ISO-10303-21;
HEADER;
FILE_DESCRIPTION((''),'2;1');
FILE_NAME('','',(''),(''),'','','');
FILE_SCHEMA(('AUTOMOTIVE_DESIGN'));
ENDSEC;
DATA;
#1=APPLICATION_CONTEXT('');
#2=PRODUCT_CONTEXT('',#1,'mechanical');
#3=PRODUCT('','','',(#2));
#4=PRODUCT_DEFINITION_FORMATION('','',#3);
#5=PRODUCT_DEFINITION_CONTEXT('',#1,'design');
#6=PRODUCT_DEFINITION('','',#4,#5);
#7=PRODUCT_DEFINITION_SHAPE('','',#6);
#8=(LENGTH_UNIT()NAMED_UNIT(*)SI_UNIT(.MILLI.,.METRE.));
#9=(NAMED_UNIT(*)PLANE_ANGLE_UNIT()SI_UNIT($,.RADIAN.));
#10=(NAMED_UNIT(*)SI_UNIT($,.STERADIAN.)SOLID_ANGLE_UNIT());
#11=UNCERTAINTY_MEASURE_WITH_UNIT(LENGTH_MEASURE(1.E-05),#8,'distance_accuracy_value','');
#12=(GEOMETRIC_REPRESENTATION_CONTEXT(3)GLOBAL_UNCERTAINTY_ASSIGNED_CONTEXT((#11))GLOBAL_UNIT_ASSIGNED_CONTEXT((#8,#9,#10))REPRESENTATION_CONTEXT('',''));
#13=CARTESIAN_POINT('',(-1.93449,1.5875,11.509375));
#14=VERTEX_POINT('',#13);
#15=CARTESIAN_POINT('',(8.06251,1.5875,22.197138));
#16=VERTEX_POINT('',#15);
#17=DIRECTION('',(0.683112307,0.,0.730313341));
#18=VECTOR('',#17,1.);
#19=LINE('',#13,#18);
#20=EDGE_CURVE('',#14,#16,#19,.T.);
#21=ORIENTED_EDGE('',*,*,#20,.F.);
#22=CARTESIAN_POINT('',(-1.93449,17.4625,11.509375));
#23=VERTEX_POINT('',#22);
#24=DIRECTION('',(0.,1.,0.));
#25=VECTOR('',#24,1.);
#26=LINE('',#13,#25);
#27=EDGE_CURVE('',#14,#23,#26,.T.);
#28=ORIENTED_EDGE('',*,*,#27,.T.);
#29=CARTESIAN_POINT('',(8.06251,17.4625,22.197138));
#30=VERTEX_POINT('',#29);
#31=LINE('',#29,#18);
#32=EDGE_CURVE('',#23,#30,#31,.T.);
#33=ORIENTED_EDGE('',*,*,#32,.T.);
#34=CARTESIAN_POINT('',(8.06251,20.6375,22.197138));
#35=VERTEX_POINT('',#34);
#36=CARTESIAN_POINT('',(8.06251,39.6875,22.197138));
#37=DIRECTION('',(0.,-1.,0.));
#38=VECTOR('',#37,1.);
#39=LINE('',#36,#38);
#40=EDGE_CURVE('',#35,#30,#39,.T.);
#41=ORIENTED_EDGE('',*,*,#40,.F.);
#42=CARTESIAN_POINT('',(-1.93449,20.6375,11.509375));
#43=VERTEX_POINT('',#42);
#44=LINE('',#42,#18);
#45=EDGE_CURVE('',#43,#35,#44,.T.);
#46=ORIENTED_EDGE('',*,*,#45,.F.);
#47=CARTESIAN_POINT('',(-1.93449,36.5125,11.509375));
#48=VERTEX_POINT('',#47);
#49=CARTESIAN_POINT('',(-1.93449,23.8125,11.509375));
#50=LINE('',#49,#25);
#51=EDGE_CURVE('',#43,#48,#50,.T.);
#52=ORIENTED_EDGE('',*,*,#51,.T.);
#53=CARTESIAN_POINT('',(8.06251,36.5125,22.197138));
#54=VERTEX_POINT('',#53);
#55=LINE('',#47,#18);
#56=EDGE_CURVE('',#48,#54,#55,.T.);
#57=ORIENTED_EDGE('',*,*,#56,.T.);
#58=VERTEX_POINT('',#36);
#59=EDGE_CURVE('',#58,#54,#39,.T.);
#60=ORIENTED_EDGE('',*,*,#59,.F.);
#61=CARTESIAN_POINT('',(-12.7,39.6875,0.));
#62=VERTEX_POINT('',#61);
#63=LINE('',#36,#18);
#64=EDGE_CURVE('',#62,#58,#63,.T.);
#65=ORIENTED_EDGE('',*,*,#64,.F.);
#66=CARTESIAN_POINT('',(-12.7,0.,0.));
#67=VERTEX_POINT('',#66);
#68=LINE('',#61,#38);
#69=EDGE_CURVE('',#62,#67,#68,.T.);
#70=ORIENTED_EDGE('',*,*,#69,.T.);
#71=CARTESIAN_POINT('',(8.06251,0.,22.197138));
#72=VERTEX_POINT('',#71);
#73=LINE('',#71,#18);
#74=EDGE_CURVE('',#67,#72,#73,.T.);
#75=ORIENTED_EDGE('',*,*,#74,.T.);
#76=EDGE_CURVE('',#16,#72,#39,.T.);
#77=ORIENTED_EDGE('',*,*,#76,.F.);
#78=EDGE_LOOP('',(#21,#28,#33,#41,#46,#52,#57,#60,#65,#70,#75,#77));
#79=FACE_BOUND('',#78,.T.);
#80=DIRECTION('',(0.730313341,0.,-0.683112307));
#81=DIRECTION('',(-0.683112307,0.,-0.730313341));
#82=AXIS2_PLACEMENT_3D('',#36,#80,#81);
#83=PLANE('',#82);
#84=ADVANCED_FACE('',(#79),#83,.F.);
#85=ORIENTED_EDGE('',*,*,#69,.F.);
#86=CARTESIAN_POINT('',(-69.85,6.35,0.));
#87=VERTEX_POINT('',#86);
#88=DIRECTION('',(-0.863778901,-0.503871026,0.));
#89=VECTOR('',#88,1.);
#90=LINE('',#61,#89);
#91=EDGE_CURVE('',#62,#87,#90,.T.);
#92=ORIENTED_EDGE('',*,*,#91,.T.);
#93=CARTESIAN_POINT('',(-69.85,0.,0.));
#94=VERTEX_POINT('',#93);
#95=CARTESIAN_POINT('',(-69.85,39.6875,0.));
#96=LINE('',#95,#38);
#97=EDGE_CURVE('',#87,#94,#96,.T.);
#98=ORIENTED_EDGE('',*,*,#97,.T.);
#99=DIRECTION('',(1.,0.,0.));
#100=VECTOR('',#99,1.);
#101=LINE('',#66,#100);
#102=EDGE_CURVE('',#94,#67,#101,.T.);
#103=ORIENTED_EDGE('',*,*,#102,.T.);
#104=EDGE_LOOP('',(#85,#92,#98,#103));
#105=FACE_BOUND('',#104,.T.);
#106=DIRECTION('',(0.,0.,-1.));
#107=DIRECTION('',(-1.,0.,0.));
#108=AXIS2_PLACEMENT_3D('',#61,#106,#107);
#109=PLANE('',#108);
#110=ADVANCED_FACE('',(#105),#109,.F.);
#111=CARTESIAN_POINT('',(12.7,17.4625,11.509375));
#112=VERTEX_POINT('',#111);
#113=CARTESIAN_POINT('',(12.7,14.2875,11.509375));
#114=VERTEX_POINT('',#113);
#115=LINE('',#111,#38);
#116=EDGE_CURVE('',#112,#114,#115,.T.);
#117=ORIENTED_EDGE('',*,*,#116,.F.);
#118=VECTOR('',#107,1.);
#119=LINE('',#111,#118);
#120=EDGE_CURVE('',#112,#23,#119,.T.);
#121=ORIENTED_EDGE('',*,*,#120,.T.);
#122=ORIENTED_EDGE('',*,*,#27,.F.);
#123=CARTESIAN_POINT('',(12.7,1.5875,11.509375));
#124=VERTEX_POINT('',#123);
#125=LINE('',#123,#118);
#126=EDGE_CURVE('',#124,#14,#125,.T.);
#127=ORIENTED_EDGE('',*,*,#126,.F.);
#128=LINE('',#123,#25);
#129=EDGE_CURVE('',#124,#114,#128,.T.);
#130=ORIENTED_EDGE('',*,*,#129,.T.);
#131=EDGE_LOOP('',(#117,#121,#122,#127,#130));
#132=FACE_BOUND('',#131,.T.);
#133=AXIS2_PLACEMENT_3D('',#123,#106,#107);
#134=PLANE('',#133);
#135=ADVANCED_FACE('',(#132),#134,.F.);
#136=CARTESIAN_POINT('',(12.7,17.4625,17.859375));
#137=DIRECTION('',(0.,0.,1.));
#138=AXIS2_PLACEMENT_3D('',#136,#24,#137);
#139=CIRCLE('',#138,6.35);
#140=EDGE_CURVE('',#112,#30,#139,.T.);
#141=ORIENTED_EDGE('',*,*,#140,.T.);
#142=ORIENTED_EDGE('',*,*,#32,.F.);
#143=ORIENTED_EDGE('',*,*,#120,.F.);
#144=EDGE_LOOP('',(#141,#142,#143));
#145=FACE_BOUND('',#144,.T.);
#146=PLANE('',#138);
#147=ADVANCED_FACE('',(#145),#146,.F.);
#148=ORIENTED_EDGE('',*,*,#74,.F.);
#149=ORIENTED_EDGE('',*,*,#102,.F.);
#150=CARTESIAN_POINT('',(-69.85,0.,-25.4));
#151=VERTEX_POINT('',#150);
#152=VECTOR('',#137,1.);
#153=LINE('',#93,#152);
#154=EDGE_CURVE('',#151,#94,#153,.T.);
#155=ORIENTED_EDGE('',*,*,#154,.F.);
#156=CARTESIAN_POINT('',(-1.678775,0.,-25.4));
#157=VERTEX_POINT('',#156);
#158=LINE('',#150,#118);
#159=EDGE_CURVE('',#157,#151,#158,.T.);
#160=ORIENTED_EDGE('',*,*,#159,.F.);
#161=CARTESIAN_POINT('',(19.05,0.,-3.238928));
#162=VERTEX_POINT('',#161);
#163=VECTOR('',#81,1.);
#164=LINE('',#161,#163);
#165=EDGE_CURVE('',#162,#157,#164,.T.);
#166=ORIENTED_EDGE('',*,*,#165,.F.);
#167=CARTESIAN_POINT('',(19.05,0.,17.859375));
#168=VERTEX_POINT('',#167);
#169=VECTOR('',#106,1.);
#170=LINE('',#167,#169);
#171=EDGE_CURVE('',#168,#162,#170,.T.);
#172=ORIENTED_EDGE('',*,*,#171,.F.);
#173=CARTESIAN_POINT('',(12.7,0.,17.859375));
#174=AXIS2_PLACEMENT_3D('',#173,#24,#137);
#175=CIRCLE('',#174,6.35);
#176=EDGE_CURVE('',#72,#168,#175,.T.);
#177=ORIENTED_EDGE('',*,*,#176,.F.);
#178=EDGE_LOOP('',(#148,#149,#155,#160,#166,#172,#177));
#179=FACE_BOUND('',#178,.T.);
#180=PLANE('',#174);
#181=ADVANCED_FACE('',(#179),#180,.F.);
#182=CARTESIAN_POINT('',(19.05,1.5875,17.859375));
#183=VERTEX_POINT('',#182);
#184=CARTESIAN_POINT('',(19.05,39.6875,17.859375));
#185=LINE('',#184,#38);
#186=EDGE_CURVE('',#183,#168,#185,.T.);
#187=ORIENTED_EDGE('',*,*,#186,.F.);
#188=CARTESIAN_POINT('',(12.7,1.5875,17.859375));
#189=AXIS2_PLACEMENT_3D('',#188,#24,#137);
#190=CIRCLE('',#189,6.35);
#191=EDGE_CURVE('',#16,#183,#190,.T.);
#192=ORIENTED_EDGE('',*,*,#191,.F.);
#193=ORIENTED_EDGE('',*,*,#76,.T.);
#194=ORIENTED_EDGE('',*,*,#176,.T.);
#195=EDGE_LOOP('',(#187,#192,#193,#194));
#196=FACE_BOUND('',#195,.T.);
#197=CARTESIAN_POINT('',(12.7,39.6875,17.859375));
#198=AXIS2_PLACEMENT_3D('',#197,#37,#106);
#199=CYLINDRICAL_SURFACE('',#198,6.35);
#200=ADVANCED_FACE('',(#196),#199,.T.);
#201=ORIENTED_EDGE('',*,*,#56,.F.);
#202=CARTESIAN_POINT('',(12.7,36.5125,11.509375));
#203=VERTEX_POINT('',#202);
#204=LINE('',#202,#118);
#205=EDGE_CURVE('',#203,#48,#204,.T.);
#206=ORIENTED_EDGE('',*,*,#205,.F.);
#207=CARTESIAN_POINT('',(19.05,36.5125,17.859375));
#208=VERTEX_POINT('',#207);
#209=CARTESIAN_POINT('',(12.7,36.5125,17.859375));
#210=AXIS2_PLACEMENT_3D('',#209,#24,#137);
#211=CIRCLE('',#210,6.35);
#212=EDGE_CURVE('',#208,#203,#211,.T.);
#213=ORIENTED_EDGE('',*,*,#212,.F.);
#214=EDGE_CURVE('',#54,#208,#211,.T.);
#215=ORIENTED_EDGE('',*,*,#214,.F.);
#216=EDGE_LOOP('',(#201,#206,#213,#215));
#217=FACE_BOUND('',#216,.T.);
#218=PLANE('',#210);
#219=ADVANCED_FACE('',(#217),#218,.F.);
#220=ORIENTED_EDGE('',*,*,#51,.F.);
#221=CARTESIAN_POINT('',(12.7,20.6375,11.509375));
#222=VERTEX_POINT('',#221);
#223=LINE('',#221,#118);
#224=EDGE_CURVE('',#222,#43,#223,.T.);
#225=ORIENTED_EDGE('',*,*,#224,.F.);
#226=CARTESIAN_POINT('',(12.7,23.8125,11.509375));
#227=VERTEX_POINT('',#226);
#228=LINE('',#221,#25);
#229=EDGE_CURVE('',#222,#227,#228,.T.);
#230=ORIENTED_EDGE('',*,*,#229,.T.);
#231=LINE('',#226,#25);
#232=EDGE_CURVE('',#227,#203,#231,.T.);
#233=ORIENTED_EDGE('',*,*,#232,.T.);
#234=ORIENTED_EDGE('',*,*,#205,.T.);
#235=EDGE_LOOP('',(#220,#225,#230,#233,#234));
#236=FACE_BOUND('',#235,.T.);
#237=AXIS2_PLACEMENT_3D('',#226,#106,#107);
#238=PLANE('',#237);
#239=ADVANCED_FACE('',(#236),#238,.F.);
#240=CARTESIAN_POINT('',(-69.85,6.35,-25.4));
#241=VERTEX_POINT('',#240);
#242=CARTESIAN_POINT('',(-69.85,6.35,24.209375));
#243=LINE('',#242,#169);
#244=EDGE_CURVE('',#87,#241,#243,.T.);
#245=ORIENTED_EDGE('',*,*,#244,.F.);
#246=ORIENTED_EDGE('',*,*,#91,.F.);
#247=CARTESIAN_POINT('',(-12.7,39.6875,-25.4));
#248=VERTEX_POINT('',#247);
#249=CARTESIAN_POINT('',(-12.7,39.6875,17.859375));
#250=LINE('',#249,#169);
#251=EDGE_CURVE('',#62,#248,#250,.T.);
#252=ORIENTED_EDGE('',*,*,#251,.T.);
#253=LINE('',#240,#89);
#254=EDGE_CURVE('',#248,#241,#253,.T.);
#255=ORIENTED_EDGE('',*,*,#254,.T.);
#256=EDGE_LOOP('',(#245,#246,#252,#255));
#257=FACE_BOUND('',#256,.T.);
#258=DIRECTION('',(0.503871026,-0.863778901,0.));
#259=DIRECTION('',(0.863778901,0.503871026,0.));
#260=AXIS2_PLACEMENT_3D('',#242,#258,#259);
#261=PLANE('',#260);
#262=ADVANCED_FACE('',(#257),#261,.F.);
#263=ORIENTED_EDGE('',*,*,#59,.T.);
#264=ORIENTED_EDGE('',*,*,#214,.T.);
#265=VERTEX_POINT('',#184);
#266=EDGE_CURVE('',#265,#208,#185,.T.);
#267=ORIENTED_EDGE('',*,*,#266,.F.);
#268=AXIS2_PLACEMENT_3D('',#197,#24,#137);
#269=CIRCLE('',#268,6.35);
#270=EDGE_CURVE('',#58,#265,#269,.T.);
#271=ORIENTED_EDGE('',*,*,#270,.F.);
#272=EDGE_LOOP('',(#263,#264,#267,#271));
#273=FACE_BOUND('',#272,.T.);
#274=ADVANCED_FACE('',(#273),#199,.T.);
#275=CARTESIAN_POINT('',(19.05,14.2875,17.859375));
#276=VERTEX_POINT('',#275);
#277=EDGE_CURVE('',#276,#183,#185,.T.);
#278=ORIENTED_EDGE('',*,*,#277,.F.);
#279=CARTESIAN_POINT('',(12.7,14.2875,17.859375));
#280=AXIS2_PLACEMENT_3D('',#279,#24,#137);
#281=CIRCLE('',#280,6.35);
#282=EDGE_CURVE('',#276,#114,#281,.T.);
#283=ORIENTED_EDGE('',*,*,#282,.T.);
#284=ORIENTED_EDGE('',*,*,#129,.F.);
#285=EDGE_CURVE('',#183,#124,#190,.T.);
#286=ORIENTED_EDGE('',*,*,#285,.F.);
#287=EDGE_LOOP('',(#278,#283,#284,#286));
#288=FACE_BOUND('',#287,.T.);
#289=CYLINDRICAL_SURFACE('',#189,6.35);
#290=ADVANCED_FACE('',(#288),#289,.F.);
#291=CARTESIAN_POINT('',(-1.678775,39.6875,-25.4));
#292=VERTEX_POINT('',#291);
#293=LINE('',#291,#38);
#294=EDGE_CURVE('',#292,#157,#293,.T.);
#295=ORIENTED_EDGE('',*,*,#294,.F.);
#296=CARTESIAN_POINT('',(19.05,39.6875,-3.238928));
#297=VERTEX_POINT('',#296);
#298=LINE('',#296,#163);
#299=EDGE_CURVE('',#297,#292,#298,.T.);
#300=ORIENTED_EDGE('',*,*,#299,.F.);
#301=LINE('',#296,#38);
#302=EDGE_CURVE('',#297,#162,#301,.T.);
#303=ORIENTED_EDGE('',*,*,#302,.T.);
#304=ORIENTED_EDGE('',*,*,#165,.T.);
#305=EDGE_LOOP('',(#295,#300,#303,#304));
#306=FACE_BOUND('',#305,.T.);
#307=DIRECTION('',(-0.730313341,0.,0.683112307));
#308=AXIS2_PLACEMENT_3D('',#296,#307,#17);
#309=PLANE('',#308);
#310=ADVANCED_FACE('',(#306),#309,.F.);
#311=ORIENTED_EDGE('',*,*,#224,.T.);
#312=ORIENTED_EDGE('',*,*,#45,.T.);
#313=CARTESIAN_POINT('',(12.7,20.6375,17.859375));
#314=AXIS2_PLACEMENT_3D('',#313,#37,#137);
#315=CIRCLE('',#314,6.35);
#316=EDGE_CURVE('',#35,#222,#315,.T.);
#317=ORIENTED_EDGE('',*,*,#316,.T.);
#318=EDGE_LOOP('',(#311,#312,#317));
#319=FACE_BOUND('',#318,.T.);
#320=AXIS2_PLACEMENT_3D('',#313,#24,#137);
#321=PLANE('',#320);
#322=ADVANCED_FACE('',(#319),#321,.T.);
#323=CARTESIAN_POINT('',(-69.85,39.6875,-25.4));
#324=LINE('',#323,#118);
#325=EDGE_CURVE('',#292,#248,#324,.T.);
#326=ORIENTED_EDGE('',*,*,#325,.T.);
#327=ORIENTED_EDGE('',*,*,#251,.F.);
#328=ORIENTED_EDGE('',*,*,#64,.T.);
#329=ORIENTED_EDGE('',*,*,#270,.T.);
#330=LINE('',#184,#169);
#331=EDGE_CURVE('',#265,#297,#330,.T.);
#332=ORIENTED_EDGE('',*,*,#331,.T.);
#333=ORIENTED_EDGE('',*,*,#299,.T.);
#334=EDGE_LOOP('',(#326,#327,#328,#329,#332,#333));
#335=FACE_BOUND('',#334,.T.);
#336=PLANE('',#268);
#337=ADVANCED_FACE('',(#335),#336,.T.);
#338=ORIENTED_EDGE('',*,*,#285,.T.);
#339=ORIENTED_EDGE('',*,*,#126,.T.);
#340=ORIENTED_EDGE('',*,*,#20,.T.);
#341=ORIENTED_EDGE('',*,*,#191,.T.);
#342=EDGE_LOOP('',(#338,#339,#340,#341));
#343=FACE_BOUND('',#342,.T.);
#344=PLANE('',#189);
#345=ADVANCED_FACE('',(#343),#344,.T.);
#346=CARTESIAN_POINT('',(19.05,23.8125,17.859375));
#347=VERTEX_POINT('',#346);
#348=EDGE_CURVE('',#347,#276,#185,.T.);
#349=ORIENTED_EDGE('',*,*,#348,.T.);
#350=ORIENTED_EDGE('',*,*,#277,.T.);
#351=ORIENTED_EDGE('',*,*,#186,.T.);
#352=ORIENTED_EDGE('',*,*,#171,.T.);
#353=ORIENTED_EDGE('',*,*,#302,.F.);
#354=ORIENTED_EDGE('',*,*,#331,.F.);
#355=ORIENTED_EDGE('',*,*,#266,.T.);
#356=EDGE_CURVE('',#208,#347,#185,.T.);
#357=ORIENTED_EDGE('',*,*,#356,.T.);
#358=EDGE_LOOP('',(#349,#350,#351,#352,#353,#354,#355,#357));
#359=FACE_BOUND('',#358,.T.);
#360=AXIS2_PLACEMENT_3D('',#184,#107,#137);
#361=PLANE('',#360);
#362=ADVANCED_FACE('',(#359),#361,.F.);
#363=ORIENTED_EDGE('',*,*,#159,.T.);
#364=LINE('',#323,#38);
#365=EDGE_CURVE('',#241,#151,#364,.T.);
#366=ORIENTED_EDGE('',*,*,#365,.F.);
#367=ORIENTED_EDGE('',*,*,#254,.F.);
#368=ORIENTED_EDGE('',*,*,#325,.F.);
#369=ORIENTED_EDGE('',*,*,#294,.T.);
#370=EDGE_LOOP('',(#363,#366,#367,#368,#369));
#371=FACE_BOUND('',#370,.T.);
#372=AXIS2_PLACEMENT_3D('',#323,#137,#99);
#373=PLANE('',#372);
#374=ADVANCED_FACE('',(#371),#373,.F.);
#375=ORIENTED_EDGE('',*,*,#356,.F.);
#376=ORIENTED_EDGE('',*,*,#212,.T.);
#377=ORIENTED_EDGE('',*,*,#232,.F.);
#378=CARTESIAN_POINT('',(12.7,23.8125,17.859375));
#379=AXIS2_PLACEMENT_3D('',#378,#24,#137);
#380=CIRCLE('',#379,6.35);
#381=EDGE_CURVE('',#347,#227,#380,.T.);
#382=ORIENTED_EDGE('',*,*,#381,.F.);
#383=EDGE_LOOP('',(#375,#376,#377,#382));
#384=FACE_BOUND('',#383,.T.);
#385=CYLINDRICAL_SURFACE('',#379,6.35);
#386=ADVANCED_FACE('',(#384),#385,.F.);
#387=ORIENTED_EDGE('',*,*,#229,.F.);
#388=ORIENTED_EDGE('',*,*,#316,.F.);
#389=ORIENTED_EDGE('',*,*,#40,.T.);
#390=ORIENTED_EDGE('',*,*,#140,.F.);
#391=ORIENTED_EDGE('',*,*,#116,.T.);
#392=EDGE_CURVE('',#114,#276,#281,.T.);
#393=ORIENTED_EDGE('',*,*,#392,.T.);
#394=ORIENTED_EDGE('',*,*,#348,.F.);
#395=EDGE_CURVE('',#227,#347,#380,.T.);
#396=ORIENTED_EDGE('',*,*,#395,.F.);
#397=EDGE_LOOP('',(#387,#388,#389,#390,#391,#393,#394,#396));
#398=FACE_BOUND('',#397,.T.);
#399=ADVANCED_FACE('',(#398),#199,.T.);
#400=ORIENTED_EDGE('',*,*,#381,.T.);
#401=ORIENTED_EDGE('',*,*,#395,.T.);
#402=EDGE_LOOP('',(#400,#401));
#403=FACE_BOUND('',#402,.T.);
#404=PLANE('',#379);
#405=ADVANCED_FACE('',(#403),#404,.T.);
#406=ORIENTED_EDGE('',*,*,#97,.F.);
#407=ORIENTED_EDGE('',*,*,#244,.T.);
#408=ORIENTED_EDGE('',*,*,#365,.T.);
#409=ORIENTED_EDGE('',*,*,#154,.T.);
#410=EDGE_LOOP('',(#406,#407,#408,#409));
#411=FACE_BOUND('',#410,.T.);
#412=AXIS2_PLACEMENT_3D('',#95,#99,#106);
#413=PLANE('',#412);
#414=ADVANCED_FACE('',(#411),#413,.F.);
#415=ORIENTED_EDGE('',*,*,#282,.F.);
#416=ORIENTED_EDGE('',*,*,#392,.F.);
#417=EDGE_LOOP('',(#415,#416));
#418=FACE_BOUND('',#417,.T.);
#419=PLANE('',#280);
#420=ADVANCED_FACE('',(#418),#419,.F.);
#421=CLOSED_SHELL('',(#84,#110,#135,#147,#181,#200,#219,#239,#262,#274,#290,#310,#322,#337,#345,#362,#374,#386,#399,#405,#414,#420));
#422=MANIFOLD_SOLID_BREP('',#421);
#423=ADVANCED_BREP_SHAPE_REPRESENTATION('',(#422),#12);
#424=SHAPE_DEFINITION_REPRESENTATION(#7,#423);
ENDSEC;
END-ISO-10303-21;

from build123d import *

# Parameters (mm, degrees)
BOSS_EXTRUDE1_DEPTH = 39.6875
CUT_EXTRUDE1_DEPTH  = 12.7
CUT_EXTRUDE2_DEPTH  = 12.7
CUT_EXTRUDE3_DEPTH  = 3.175
CUT_EXTRUDE4_START  = -9.525
CUT_EXTRUDE4_DEPTH  = 3.175
CUT_EXTRUDE5_DEPTH  = 50.609375


with BuildPart() as part:
    # Sketch1 → Boss-Extrude1 (new body)
    with BuildSketch(Plane(origin=(0, 0, 0), x_dir=(1, 0, 0), z_dir=(0, 1, 0))):
        with BuildLine():
            Line((-12.7, 0), (-69.85, 0))
            Line((-69.85, 0), (-69.85, 25.4))
            Line((-69.85, 25.4), (-1.678775343, 25.4))
            Line((-1.678775343, 25.4), (19.05, 3.238927777))
            Line((19.05, 3.238927777), (19.05, -17.859375))
            ThreePointArc((19.05, -17.859375), (15.031784758, -23.765751202), (8.062510285, -22.19713815))
            Line((8.062510285, -22.19713815), (-12.7, 0))
        make_face()
    extrude(amount=BOSS_EXTRUDE1_DEPTH)

    # Sketch2 → Cut-Extrude1 (cut)
    with BuildSketch(Plane(origin=(0, 36.5125, 0), x_dir=(1, 0, 0), z_dir=(0, 1, 0))):
        with BuildLine():
            Line((12.7, -11.509375), (-1.934489816, -11.509375))
            Line((-1.934489816, -11.509375), (8.062510285, -22.19713815))
            ThreePointArc((8.062510285, -22.19713815), (18.525259479, -20.386992851), (12.7, -11.509375))
        make_face()
    extrude(amount=-CUT_EXTRUDE1_DEPTH, mode=Mode.SUBTRACT)

    # Sketch3 → Cut-Extrude2 (cut)
    with BuildSketch(Plane(origin=(0, 14.2875, 0), x_dir=(1, 0, 0), z_dir=(0, 1, 0))):
        with BuildLine():
            Line((12.7, -11.509375), (-1.934489816, -11.509375))
            Line((-1.934489816, -11.509375), (8.062510285, -22.19713815))
            ThreePointArc((8.062510285, -22.19713815), (18.525259479, -20.386992851), (12.7, -11.509375))
        make_face()
    extrude(amount=-CUT_EXTRUDE2_DEPTH, mode=Mode.SUBTRACT)

    # Sketch4 → Cut-Extrude3 (cut)
    with BuildSketch(Plane(origin=(0, 23.8125, 0), x_dir=(1, 0, 0), z_dir=(0, 1, 0))):
        with BuildLine():
            Line((12.7, -11.509375), (-1.934489816, -11.509375))
            Line((-1.934489816, -11.509375), (8.062510285, -22.19713815))
            ThreePointArc((8.062510285, -22.19713815), (6.874740521, -15.331757149), (12.7, -11.509375))
        make_face()
    extrude(amount=-CUT_EXTRUDE3_DEPTH, mode=Mode.SUBTRACT)

    # Sketch4<2> → Cut-Extrude4 (cut)
    with BuildSketch(Plane(origin=(0, 23.8125, 0), x_dir=(1, 0, 0), z_dir=(0, 1, 0)).offset(CUT_EXTRUDE4_START)):
        with BuildLine():
            Line((12.7, -11.509375), (-1.934489816, -11.509375))
            Line((-1.934489816, -11.509375), (8.062510285, -22.19713815))
            ThreePointArc((8.062510285, -22.19713815), (6.874740521, -15.331757149), (12.7, -11.509375))
        make_face()
    extrude(amount=CUT_EXTRUDE4_DEPTH, mode=Mode.SUBTRACT)

    # Sketch5 → Cut-Extrude5 (cut, through all)
    with BuildSketch(Plane(origin=(0, 0, -25.4), x_dir=(-1, 0, 0), z_dir=(0, 0, -1))):
        Polygon((69.85, 6.35), (12.7, 39.6875), (69.85, 39.6875), align=None)
    extrude(amount=-CUT_EXTRUDE5_DEPTH, mode=Mode.SUBTRACT)


solid = part.part
